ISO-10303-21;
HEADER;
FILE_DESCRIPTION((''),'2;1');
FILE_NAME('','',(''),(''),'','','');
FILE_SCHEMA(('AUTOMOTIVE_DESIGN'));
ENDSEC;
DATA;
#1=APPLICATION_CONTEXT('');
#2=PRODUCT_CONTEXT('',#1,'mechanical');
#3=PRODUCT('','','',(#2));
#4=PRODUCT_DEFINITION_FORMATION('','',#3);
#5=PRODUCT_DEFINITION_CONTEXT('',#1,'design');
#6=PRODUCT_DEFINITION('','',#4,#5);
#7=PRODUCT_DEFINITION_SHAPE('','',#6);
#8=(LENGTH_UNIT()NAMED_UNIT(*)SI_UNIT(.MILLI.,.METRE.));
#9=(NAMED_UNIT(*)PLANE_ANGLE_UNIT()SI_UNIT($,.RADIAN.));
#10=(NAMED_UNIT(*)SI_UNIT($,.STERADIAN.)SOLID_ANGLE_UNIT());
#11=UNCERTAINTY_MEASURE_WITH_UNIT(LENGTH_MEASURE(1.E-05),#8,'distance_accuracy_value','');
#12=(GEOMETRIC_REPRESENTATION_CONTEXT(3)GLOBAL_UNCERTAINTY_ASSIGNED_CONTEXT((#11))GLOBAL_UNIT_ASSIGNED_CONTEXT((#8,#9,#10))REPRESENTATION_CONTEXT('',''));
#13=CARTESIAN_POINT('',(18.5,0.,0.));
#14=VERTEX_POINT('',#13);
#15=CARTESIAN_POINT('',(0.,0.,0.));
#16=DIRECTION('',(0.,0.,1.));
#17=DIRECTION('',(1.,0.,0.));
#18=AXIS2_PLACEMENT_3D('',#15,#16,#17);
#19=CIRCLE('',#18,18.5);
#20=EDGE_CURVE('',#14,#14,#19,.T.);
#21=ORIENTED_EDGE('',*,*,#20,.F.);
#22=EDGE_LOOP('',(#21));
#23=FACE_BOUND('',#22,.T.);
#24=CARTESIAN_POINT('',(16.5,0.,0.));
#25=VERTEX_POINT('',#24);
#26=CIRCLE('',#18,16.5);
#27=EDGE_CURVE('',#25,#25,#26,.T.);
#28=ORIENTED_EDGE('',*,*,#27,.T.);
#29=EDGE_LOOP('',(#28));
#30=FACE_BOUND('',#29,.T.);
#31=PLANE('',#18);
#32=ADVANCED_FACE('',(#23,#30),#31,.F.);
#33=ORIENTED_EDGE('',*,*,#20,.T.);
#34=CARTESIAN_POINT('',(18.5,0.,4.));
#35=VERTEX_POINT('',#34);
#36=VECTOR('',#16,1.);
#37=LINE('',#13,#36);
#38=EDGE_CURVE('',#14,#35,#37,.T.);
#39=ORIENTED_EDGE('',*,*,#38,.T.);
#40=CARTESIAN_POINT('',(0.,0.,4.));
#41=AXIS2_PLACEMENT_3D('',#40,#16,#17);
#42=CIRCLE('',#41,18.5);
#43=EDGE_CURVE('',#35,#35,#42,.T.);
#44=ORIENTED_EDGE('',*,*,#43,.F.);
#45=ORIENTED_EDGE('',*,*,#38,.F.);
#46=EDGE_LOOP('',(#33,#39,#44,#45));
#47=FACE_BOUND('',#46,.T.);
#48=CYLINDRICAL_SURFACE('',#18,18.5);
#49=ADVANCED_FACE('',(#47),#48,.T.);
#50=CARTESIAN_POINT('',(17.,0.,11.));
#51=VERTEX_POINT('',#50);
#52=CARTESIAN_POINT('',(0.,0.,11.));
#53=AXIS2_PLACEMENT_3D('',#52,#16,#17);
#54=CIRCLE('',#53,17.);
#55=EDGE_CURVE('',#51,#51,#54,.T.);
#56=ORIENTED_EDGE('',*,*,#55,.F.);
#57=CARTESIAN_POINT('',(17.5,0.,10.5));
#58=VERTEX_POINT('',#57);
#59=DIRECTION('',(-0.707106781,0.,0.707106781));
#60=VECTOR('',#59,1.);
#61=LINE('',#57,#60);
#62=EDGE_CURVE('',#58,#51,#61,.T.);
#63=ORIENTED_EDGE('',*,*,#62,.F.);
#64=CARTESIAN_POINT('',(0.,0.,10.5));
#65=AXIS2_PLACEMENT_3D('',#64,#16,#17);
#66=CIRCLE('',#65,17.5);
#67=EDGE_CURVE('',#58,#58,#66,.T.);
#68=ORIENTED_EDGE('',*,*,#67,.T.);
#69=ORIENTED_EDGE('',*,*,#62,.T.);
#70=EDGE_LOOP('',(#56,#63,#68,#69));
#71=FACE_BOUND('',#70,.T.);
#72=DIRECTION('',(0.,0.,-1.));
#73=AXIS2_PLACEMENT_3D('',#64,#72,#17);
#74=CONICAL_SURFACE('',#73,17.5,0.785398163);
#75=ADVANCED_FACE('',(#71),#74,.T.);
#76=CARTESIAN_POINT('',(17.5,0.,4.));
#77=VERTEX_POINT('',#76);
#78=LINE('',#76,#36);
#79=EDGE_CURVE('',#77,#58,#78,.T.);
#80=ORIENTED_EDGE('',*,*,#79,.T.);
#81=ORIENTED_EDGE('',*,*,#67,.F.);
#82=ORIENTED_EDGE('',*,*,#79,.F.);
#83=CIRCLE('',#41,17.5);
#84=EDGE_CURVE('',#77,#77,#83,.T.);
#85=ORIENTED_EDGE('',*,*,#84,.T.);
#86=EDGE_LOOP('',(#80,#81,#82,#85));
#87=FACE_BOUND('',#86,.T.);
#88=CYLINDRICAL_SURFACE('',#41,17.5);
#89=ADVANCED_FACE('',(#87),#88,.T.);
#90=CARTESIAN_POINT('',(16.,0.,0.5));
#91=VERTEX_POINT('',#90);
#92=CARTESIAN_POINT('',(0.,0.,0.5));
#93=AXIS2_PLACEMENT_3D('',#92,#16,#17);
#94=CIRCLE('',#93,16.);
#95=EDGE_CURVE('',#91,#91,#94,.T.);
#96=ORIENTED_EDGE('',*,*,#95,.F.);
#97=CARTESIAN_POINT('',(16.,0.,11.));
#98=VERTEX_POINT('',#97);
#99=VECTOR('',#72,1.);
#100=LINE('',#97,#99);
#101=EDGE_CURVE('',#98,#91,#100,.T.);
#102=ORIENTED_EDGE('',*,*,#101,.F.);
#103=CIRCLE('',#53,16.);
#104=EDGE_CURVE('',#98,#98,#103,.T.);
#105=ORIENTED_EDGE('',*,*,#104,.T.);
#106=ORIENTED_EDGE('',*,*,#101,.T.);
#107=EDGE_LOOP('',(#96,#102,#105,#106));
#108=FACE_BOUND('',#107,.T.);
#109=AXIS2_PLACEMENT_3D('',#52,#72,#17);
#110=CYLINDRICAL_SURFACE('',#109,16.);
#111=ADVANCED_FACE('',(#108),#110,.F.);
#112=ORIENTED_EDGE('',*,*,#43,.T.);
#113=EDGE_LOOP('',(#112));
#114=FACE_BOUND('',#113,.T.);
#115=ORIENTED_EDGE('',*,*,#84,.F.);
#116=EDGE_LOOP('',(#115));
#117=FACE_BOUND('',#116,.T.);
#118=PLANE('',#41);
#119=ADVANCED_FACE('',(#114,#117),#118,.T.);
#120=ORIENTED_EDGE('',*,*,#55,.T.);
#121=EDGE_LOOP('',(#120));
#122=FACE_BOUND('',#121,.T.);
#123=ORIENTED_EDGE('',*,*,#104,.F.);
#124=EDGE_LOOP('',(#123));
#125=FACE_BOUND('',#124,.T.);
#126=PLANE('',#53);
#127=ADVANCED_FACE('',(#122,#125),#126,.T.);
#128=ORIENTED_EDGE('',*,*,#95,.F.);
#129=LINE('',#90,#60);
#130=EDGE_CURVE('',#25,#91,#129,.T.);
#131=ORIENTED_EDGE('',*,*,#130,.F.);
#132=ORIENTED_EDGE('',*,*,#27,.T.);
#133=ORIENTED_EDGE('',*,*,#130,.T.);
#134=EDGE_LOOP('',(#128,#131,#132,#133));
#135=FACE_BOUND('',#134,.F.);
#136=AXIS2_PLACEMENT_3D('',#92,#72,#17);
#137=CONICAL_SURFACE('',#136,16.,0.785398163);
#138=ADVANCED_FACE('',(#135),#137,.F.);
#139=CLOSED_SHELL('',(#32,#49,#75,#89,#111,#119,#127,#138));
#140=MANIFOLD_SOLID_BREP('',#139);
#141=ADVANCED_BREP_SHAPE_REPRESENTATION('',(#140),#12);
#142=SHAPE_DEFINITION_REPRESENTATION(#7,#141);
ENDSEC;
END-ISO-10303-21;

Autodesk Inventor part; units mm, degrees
ref_plane "YZ Plane" through (0, 0, 0) normal (1, 0, 0) x (0, 1, 0)
ref_plane "XZ Plane" through (0, 0, 0) normal (0, 1, 0) x (-1, 0, 0)
ref_plane "XY Plane" through (0, 0, 0) normal (0, 0, 1) x (1, 0, 0)
sketch "Sketch1" plane through (0, 0, 0) normal (0, 1, 0) x (-1, 0, 0)
  line L0 (-16, 0) -> (-18.5, 0)
  line L1 (-18.5, 0) -> (-18.5, 4)
  line L2 (-18.5, 4) -> (-17.5, 4)
  line L3 (-17.5, 4) -> (-17.5, 11)
  line L4 (-17.5, 11) -> (-16, 11)
  line L5 (-16, 11) -> (-16, 0)
  line L6 (0, 0) -> (0, 48.5854)
  dimension "d0" = 32
  dimension "d1" = 37
  dimension "d3" = 7
  dimension "d4" = 4
  dimension "d5" = 35
revolve "Revolution1" add sketch "Sketch1" angle 360 about axis through (0, 0, 0) along (0, 0, 1)
chamfer "Chamfer1" distance 0.5 angle 45 2 edges at (-16, 0, 0) (-17.5, 0, 11)
properties part number "106-pulley adapter"
